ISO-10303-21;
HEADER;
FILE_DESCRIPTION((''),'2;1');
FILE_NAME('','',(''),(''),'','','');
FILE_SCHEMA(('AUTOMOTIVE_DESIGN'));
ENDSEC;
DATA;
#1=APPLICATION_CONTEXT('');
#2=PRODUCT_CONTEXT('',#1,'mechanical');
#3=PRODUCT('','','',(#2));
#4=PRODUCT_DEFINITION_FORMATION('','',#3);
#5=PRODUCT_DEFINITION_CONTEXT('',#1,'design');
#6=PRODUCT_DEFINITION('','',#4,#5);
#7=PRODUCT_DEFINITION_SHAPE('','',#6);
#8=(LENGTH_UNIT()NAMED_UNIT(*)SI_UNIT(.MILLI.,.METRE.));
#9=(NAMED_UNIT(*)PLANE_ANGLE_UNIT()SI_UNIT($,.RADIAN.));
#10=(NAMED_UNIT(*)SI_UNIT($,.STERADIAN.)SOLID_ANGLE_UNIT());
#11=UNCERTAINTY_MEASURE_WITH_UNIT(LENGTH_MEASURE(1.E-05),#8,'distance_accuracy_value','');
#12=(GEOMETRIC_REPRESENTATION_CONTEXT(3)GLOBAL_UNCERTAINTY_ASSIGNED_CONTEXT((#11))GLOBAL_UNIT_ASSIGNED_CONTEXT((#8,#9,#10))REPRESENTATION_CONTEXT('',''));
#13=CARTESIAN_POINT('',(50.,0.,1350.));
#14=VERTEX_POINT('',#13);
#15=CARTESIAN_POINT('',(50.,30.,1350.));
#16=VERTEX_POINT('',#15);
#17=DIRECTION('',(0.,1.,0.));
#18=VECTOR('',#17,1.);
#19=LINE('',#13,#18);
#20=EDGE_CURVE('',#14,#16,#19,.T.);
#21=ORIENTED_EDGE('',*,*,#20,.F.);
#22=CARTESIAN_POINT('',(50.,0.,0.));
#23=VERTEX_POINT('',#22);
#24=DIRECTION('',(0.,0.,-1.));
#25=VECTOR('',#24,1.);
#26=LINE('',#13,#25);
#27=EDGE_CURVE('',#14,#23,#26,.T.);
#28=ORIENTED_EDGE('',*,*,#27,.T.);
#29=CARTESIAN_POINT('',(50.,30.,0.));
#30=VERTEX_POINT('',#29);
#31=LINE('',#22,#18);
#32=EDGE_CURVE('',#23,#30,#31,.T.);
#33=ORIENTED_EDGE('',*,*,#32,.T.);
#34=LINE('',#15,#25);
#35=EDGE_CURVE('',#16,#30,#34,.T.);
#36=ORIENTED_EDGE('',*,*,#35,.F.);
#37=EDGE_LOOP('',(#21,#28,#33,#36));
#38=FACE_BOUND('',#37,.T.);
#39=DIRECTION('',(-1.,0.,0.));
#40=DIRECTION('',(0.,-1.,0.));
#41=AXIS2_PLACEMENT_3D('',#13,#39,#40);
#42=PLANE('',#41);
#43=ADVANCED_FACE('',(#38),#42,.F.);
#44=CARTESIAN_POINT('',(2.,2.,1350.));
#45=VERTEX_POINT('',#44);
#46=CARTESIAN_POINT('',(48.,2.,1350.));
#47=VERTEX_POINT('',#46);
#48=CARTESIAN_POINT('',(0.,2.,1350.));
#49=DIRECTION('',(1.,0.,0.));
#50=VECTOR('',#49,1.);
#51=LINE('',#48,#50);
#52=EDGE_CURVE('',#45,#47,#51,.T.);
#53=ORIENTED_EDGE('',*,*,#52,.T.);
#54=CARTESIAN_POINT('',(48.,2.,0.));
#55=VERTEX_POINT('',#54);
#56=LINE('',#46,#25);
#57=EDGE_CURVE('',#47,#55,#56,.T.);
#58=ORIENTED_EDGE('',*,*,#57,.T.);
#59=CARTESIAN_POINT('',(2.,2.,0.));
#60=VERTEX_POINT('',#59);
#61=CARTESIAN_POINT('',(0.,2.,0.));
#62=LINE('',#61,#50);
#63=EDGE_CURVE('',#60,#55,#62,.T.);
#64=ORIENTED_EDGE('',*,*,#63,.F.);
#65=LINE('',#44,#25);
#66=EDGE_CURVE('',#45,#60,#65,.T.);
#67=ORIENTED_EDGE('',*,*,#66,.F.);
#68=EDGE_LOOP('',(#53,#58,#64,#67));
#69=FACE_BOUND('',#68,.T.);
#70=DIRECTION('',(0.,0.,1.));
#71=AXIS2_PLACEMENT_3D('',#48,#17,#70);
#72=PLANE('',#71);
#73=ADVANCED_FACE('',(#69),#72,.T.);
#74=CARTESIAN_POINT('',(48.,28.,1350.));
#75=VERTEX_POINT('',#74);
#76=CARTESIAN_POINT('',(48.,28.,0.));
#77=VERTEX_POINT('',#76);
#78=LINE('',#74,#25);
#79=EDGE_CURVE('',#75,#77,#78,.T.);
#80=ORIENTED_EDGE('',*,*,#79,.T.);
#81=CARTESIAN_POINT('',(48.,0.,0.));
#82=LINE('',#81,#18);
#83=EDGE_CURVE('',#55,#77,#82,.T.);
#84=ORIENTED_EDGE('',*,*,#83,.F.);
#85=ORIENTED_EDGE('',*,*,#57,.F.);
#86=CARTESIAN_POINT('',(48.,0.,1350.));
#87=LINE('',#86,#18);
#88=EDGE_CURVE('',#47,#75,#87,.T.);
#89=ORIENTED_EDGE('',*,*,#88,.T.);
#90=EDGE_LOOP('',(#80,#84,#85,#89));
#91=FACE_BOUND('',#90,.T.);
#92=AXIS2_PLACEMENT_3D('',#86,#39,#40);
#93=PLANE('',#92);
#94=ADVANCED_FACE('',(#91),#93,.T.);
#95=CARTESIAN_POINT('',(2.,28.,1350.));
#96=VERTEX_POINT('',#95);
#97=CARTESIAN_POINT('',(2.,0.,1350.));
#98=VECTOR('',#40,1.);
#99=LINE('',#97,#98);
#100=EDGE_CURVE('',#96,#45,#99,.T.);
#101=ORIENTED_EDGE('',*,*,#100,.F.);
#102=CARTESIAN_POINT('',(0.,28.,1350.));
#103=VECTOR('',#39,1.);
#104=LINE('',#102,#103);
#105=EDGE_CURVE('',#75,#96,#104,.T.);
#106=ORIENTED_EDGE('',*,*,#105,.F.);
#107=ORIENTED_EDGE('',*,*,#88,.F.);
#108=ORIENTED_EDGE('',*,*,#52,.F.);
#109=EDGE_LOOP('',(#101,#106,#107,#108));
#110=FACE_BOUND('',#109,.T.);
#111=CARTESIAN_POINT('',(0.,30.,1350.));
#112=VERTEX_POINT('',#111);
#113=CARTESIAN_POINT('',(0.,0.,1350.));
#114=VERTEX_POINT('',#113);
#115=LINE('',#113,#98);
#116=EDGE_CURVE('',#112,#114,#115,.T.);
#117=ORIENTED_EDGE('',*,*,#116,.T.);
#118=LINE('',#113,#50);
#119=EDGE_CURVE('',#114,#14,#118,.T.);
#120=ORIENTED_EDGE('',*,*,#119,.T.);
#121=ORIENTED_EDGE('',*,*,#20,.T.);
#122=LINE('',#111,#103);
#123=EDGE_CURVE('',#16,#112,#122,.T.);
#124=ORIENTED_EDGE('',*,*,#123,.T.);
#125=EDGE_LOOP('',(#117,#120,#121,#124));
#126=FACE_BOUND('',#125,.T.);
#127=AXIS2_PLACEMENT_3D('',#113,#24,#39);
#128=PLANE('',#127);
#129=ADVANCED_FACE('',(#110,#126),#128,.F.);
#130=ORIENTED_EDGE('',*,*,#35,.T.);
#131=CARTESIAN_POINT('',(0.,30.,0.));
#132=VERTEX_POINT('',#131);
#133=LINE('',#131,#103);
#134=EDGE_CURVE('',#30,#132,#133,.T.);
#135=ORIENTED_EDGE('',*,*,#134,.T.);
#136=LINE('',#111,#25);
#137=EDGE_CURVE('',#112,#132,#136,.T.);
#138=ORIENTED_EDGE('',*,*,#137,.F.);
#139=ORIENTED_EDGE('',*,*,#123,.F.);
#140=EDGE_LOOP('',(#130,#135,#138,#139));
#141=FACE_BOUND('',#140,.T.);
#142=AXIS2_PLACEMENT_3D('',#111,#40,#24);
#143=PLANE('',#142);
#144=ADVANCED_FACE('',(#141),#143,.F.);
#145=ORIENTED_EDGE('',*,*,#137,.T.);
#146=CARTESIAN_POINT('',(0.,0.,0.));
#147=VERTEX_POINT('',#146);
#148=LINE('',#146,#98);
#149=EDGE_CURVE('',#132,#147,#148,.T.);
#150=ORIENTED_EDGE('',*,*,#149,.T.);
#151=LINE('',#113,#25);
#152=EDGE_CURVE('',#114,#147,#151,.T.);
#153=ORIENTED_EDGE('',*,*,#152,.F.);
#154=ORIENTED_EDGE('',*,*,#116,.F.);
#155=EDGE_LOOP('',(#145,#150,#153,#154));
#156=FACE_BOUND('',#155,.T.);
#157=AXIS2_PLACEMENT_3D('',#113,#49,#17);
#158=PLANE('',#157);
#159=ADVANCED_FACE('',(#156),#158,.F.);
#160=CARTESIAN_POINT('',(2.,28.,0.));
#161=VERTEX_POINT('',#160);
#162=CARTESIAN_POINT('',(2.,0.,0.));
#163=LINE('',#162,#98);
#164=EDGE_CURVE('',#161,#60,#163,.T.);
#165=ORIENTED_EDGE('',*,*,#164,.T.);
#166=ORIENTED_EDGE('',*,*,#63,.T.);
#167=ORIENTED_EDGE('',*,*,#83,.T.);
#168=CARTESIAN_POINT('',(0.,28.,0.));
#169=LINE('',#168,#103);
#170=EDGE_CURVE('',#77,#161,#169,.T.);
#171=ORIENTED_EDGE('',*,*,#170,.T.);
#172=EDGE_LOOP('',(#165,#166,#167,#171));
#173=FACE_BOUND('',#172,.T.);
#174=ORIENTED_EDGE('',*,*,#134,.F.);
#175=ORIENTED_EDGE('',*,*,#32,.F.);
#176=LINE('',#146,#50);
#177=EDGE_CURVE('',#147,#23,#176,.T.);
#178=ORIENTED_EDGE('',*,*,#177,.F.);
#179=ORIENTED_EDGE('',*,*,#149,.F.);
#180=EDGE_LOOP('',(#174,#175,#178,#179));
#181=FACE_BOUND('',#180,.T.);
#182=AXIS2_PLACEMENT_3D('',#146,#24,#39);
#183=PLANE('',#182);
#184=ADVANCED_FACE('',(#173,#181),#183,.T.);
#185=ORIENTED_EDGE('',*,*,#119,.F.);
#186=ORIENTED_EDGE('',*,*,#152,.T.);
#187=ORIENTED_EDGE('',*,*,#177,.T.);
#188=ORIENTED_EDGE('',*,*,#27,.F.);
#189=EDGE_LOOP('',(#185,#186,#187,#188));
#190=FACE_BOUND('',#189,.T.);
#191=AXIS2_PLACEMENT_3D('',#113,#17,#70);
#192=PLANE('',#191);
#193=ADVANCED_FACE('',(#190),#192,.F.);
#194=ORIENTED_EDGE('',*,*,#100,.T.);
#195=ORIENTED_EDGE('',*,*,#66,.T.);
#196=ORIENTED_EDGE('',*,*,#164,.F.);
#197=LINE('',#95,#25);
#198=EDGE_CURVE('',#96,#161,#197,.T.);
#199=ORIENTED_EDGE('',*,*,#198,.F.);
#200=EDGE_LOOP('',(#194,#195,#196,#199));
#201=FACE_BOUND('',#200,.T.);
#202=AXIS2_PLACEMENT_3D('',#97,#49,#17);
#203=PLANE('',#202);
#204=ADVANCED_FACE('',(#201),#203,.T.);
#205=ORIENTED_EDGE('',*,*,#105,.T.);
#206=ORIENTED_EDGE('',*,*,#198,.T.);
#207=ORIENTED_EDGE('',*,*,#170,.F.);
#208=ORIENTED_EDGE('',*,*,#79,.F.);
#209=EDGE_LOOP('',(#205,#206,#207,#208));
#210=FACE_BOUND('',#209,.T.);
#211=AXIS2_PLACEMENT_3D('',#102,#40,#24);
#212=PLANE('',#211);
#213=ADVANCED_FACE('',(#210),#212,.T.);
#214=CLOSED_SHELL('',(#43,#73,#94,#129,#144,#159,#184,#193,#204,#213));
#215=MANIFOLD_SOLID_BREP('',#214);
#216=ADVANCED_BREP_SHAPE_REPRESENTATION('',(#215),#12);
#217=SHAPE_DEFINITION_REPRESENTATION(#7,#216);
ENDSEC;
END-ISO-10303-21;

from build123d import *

# Parameters (mm, degrees)
SKICA1_W                = 50
SKICA1_H                = 30
P_IDAT_VYSUNUT_M1_DEPTH = 1350
SKO_EPINA1_T            = -2


with BuildPart() as part:
    # Skica1 → Přidat vysunutím1 (new body)
    with BuildSketch(Plane.XY):
        with Locations((25, 15)):
            Rectangle(SKICA1_W, SKICA1_H)
    extrude(amount=P_IDAT_VYSUNUT_M1_DEPTH)

    # Skořepina1
    sko_epina1_openings = [part.faces().sort_by_distance(p)[0] for p in [
        (25, 15, 1350),
        (25, 15, 0),
    ]]
    offset(amount=SKO_EPINA1_T, openings=sko_epina1_openings, kind=Kind.INTERSECTION)


solid = part.part
